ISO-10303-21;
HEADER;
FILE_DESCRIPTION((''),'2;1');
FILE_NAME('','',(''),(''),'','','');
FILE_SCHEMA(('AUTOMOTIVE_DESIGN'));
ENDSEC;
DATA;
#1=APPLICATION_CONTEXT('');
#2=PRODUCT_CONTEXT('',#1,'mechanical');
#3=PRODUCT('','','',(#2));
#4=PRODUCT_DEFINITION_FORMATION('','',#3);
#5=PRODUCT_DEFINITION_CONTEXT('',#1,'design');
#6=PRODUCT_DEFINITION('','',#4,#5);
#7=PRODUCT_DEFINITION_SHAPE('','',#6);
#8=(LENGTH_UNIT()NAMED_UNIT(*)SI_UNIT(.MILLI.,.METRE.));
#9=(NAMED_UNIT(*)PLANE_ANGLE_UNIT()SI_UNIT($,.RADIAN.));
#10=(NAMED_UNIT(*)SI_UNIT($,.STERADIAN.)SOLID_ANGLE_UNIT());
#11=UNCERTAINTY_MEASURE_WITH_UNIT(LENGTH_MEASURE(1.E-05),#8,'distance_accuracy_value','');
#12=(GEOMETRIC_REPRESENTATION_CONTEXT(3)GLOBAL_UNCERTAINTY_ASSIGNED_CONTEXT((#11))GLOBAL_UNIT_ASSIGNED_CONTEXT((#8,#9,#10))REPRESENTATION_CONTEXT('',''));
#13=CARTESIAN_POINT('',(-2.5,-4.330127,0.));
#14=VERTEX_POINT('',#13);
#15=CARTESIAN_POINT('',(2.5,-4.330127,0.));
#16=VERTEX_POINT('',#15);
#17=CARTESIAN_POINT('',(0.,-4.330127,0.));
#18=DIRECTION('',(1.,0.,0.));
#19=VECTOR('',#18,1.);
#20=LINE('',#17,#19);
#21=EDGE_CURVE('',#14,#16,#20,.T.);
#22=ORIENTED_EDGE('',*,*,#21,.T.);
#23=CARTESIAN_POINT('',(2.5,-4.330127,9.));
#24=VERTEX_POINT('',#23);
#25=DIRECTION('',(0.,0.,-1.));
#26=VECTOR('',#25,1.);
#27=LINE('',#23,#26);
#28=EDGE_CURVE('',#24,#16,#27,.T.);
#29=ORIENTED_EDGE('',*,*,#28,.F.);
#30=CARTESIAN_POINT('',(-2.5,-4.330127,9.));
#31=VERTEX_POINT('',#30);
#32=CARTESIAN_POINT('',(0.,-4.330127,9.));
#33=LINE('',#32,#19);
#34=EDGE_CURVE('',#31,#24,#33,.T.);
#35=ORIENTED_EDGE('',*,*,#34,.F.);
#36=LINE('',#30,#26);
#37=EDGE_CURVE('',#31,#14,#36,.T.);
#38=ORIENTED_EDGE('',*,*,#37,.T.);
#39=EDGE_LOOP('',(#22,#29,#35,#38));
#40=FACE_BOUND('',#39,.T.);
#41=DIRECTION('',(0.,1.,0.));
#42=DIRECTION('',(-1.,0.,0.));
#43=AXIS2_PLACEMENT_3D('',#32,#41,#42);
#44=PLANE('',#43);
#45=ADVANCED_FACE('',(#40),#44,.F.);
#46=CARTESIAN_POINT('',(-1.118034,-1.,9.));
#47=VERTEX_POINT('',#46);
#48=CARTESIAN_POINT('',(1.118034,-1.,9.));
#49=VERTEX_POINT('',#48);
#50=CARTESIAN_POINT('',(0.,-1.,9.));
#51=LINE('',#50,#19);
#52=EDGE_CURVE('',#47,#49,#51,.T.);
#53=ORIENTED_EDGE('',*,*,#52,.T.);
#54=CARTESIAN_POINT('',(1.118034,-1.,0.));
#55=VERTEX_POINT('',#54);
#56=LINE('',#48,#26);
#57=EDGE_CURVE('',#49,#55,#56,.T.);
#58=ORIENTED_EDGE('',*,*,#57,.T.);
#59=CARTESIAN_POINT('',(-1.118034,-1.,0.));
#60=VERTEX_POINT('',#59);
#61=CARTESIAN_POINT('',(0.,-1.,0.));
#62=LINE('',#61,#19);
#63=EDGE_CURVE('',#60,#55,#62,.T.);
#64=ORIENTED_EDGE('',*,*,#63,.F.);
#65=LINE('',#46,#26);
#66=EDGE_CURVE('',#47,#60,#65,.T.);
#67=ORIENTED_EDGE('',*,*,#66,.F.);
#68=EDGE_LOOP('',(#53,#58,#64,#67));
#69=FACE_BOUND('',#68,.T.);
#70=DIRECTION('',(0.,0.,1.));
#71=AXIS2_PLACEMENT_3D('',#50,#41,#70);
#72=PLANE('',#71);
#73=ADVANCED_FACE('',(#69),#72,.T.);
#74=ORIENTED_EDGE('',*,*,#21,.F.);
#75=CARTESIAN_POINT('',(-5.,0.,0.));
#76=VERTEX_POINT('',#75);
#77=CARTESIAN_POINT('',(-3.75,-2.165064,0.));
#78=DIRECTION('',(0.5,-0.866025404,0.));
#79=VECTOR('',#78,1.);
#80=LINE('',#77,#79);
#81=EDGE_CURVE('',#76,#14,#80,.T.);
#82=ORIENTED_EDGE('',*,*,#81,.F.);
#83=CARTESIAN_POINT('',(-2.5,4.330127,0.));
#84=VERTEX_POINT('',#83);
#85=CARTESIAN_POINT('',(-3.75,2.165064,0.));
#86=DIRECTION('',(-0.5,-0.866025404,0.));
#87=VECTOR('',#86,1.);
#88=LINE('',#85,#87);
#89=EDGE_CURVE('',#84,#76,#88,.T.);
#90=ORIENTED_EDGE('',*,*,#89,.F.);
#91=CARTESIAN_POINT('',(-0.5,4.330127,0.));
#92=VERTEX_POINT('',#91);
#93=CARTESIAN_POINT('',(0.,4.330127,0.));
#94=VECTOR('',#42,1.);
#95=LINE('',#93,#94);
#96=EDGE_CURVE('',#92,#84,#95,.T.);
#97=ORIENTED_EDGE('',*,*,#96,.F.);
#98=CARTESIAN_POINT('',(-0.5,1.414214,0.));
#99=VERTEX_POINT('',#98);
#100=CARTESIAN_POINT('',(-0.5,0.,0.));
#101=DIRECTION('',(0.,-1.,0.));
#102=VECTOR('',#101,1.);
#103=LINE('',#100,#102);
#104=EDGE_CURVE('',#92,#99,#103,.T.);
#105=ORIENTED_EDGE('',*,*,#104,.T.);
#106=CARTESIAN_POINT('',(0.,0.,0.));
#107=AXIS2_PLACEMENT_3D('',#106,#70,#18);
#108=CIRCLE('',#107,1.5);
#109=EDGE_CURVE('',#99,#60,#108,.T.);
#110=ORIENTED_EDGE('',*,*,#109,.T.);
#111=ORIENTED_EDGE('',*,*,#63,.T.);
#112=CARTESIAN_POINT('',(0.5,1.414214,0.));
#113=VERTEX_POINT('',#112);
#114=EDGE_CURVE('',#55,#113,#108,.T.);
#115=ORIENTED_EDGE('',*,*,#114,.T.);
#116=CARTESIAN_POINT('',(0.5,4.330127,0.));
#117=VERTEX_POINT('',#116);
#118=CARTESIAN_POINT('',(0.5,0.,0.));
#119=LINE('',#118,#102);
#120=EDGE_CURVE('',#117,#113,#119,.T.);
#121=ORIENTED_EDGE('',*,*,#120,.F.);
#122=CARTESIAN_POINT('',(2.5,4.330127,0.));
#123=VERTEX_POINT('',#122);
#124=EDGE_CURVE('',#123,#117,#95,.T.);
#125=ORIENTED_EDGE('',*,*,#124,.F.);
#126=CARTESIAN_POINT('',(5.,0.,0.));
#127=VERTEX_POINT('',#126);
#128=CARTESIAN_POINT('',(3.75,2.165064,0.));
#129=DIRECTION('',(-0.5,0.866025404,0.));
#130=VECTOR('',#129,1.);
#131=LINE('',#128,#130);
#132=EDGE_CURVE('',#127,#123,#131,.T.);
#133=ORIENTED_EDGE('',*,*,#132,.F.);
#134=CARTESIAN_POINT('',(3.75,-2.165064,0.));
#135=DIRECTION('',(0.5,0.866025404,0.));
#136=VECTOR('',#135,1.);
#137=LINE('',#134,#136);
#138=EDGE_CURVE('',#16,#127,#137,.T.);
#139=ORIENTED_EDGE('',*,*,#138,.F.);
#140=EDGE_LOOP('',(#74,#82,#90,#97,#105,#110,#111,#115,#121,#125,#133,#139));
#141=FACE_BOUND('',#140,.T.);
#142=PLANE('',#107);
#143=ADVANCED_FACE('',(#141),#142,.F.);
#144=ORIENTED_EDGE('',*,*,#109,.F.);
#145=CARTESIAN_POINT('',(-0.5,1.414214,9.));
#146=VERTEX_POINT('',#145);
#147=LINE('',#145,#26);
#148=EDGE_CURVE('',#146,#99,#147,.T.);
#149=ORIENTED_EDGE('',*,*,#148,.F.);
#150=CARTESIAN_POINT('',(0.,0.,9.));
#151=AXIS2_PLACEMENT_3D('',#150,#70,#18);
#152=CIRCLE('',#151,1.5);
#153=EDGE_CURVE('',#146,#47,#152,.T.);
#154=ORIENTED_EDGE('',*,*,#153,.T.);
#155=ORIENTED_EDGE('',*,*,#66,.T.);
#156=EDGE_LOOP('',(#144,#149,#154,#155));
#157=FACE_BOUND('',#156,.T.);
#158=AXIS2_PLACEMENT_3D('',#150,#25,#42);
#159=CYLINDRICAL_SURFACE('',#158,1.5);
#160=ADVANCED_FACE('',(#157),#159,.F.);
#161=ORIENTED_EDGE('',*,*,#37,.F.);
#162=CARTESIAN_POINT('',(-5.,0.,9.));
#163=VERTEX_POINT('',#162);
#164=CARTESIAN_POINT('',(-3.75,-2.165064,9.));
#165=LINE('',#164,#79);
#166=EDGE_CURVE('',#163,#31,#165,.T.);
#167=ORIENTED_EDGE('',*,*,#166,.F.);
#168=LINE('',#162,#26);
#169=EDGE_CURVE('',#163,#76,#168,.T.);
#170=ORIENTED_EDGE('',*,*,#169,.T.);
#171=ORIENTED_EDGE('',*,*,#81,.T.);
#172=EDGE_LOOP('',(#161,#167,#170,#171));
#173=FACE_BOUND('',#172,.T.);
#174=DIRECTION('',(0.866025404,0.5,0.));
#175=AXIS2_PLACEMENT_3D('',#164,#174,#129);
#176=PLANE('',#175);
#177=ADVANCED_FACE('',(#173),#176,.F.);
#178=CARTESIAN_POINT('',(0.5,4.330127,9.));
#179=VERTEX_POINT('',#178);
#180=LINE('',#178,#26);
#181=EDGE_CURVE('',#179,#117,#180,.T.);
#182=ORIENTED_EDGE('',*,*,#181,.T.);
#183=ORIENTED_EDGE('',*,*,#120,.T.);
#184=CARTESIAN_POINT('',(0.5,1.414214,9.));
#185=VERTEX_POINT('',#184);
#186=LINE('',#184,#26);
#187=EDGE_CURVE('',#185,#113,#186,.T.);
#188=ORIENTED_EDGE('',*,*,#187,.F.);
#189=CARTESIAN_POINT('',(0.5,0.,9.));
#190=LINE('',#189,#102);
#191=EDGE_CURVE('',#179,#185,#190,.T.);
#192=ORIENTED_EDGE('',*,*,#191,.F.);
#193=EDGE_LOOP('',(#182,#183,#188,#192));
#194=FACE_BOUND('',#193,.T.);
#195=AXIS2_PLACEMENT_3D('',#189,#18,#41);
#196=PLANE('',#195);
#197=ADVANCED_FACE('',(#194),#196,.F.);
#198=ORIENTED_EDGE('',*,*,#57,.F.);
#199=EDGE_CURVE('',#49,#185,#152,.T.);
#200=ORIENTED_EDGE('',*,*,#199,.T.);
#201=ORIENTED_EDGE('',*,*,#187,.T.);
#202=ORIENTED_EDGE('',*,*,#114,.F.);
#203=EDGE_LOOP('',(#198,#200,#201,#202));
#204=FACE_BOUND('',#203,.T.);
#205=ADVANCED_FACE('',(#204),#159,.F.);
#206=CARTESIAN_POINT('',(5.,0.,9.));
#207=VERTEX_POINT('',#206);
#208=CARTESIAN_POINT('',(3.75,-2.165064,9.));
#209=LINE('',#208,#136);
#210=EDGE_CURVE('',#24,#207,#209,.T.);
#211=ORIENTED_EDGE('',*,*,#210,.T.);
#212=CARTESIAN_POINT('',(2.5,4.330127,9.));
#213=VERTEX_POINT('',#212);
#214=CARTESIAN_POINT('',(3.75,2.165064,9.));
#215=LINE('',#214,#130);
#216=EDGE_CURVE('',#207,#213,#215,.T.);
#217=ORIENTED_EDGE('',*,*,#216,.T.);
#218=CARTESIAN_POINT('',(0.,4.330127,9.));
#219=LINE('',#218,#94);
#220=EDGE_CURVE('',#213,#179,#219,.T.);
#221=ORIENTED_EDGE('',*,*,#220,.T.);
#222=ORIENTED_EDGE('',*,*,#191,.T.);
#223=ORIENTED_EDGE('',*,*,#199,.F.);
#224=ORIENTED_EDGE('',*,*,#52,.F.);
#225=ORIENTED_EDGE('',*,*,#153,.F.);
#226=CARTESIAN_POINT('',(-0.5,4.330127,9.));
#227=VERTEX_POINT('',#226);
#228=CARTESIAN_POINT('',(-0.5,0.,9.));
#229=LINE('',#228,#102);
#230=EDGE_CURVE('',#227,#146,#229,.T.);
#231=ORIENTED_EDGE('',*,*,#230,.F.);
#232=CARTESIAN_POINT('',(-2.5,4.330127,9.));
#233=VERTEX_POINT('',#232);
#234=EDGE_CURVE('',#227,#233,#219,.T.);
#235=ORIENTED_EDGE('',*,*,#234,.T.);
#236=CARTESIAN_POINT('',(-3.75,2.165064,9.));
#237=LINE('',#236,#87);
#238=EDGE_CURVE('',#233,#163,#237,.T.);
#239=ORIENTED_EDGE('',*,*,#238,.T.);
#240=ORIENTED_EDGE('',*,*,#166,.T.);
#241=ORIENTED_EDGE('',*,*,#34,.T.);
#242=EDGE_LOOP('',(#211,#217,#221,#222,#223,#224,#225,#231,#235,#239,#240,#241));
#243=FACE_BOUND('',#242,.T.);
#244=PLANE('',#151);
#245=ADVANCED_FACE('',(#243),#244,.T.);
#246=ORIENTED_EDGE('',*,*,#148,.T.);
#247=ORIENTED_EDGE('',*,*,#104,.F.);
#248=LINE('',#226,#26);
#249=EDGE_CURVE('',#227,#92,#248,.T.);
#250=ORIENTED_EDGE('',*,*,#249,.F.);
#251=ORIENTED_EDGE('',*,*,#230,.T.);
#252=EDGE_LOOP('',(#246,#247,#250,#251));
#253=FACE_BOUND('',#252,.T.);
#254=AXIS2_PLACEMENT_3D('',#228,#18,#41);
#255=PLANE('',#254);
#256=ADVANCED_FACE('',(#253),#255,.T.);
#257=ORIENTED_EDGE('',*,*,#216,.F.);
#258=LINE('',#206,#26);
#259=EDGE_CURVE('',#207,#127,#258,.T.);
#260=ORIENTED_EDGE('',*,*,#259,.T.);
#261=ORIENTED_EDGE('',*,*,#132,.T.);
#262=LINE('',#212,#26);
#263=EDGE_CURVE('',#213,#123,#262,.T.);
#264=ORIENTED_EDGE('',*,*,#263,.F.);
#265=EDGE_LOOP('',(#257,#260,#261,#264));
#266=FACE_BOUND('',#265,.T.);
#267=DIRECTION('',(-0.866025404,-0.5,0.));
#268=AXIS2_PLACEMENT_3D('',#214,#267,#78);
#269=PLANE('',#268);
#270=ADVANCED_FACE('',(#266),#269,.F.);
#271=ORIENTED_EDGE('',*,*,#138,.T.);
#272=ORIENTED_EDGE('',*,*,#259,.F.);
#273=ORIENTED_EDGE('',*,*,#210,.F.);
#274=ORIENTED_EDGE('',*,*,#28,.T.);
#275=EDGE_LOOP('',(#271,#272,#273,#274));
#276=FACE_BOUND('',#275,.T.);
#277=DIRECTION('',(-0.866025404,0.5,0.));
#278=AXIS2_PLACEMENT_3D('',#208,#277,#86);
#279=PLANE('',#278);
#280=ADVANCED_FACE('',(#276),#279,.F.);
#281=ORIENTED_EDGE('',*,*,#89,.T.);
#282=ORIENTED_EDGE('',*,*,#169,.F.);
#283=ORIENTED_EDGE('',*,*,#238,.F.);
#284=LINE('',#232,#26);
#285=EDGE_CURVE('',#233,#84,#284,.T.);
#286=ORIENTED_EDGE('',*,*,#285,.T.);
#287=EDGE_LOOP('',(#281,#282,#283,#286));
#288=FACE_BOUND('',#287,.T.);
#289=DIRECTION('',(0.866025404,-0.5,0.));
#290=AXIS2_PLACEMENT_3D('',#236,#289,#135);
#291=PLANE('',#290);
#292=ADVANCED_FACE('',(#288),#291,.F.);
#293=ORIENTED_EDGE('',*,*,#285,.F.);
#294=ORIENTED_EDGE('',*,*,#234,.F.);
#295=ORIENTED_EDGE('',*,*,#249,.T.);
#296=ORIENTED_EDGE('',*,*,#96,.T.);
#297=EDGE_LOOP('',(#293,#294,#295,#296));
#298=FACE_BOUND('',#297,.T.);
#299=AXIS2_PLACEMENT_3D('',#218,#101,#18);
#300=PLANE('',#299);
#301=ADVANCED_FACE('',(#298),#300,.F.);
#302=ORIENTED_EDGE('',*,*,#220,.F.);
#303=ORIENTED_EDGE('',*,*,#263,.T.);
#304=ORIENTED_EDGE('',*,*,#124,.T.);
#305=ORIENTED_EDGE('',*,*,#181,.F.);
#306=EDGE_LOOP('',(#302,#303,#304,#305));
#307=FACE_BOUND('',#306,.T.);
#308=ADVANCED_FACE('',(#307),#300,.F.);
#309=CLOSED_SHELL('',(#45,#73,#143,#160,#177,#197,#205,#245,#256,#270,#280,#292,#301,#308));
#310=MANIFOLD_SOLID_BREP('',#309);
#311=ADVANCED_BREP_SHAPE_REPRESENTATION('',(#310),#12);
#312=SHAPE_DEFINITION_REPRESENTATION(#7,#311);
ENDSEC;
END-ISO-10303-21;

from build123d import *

# Parameters (mm, degrees)
BOSS_EXTRUDE1_DEPTH = 9


with BuildPart() as part:
    # Sketch1 → Boss-Extrude1 (new body)
    with BuildSketch(Plane.XY):
        with BuildLine():
            Line((1.118033989, -1), (-1.118033989, -1))
            ThreePointArc((-1.118033989, -1), (-1.4531398, 0.37200097), (-0.5, 1.414213562))
            Line((-0.5, 1.414213562), (-0.5, 4.330127019))
            Line((-0.5, 4.330127019), (-2.5, 4.330127019))
            Line((-2.5, 4.330127019), (-5, 0))
            Line((-5, 0), (-2.5, -4.330127019))
            Line((-2.5, -4.330127019), (2.5, -4.330127019))
            Line((2.5, -4.330127019), (5, 0))
            Line((5, 0), (2.5, 4.330127019))
            Line((2.5, 4.330127019), (0.5, 4.330127019))
            Line((0.5, 4.330127019), (0.5, 1.414213562))
            ThreePointArc((0.5, 1.414213562), (1.4531398, 0.37200097), (1.118033989, -1))
        make_face()
    extrude(amount=BOSS_EXTRUDE1_DEPTH)


solid = part.part
